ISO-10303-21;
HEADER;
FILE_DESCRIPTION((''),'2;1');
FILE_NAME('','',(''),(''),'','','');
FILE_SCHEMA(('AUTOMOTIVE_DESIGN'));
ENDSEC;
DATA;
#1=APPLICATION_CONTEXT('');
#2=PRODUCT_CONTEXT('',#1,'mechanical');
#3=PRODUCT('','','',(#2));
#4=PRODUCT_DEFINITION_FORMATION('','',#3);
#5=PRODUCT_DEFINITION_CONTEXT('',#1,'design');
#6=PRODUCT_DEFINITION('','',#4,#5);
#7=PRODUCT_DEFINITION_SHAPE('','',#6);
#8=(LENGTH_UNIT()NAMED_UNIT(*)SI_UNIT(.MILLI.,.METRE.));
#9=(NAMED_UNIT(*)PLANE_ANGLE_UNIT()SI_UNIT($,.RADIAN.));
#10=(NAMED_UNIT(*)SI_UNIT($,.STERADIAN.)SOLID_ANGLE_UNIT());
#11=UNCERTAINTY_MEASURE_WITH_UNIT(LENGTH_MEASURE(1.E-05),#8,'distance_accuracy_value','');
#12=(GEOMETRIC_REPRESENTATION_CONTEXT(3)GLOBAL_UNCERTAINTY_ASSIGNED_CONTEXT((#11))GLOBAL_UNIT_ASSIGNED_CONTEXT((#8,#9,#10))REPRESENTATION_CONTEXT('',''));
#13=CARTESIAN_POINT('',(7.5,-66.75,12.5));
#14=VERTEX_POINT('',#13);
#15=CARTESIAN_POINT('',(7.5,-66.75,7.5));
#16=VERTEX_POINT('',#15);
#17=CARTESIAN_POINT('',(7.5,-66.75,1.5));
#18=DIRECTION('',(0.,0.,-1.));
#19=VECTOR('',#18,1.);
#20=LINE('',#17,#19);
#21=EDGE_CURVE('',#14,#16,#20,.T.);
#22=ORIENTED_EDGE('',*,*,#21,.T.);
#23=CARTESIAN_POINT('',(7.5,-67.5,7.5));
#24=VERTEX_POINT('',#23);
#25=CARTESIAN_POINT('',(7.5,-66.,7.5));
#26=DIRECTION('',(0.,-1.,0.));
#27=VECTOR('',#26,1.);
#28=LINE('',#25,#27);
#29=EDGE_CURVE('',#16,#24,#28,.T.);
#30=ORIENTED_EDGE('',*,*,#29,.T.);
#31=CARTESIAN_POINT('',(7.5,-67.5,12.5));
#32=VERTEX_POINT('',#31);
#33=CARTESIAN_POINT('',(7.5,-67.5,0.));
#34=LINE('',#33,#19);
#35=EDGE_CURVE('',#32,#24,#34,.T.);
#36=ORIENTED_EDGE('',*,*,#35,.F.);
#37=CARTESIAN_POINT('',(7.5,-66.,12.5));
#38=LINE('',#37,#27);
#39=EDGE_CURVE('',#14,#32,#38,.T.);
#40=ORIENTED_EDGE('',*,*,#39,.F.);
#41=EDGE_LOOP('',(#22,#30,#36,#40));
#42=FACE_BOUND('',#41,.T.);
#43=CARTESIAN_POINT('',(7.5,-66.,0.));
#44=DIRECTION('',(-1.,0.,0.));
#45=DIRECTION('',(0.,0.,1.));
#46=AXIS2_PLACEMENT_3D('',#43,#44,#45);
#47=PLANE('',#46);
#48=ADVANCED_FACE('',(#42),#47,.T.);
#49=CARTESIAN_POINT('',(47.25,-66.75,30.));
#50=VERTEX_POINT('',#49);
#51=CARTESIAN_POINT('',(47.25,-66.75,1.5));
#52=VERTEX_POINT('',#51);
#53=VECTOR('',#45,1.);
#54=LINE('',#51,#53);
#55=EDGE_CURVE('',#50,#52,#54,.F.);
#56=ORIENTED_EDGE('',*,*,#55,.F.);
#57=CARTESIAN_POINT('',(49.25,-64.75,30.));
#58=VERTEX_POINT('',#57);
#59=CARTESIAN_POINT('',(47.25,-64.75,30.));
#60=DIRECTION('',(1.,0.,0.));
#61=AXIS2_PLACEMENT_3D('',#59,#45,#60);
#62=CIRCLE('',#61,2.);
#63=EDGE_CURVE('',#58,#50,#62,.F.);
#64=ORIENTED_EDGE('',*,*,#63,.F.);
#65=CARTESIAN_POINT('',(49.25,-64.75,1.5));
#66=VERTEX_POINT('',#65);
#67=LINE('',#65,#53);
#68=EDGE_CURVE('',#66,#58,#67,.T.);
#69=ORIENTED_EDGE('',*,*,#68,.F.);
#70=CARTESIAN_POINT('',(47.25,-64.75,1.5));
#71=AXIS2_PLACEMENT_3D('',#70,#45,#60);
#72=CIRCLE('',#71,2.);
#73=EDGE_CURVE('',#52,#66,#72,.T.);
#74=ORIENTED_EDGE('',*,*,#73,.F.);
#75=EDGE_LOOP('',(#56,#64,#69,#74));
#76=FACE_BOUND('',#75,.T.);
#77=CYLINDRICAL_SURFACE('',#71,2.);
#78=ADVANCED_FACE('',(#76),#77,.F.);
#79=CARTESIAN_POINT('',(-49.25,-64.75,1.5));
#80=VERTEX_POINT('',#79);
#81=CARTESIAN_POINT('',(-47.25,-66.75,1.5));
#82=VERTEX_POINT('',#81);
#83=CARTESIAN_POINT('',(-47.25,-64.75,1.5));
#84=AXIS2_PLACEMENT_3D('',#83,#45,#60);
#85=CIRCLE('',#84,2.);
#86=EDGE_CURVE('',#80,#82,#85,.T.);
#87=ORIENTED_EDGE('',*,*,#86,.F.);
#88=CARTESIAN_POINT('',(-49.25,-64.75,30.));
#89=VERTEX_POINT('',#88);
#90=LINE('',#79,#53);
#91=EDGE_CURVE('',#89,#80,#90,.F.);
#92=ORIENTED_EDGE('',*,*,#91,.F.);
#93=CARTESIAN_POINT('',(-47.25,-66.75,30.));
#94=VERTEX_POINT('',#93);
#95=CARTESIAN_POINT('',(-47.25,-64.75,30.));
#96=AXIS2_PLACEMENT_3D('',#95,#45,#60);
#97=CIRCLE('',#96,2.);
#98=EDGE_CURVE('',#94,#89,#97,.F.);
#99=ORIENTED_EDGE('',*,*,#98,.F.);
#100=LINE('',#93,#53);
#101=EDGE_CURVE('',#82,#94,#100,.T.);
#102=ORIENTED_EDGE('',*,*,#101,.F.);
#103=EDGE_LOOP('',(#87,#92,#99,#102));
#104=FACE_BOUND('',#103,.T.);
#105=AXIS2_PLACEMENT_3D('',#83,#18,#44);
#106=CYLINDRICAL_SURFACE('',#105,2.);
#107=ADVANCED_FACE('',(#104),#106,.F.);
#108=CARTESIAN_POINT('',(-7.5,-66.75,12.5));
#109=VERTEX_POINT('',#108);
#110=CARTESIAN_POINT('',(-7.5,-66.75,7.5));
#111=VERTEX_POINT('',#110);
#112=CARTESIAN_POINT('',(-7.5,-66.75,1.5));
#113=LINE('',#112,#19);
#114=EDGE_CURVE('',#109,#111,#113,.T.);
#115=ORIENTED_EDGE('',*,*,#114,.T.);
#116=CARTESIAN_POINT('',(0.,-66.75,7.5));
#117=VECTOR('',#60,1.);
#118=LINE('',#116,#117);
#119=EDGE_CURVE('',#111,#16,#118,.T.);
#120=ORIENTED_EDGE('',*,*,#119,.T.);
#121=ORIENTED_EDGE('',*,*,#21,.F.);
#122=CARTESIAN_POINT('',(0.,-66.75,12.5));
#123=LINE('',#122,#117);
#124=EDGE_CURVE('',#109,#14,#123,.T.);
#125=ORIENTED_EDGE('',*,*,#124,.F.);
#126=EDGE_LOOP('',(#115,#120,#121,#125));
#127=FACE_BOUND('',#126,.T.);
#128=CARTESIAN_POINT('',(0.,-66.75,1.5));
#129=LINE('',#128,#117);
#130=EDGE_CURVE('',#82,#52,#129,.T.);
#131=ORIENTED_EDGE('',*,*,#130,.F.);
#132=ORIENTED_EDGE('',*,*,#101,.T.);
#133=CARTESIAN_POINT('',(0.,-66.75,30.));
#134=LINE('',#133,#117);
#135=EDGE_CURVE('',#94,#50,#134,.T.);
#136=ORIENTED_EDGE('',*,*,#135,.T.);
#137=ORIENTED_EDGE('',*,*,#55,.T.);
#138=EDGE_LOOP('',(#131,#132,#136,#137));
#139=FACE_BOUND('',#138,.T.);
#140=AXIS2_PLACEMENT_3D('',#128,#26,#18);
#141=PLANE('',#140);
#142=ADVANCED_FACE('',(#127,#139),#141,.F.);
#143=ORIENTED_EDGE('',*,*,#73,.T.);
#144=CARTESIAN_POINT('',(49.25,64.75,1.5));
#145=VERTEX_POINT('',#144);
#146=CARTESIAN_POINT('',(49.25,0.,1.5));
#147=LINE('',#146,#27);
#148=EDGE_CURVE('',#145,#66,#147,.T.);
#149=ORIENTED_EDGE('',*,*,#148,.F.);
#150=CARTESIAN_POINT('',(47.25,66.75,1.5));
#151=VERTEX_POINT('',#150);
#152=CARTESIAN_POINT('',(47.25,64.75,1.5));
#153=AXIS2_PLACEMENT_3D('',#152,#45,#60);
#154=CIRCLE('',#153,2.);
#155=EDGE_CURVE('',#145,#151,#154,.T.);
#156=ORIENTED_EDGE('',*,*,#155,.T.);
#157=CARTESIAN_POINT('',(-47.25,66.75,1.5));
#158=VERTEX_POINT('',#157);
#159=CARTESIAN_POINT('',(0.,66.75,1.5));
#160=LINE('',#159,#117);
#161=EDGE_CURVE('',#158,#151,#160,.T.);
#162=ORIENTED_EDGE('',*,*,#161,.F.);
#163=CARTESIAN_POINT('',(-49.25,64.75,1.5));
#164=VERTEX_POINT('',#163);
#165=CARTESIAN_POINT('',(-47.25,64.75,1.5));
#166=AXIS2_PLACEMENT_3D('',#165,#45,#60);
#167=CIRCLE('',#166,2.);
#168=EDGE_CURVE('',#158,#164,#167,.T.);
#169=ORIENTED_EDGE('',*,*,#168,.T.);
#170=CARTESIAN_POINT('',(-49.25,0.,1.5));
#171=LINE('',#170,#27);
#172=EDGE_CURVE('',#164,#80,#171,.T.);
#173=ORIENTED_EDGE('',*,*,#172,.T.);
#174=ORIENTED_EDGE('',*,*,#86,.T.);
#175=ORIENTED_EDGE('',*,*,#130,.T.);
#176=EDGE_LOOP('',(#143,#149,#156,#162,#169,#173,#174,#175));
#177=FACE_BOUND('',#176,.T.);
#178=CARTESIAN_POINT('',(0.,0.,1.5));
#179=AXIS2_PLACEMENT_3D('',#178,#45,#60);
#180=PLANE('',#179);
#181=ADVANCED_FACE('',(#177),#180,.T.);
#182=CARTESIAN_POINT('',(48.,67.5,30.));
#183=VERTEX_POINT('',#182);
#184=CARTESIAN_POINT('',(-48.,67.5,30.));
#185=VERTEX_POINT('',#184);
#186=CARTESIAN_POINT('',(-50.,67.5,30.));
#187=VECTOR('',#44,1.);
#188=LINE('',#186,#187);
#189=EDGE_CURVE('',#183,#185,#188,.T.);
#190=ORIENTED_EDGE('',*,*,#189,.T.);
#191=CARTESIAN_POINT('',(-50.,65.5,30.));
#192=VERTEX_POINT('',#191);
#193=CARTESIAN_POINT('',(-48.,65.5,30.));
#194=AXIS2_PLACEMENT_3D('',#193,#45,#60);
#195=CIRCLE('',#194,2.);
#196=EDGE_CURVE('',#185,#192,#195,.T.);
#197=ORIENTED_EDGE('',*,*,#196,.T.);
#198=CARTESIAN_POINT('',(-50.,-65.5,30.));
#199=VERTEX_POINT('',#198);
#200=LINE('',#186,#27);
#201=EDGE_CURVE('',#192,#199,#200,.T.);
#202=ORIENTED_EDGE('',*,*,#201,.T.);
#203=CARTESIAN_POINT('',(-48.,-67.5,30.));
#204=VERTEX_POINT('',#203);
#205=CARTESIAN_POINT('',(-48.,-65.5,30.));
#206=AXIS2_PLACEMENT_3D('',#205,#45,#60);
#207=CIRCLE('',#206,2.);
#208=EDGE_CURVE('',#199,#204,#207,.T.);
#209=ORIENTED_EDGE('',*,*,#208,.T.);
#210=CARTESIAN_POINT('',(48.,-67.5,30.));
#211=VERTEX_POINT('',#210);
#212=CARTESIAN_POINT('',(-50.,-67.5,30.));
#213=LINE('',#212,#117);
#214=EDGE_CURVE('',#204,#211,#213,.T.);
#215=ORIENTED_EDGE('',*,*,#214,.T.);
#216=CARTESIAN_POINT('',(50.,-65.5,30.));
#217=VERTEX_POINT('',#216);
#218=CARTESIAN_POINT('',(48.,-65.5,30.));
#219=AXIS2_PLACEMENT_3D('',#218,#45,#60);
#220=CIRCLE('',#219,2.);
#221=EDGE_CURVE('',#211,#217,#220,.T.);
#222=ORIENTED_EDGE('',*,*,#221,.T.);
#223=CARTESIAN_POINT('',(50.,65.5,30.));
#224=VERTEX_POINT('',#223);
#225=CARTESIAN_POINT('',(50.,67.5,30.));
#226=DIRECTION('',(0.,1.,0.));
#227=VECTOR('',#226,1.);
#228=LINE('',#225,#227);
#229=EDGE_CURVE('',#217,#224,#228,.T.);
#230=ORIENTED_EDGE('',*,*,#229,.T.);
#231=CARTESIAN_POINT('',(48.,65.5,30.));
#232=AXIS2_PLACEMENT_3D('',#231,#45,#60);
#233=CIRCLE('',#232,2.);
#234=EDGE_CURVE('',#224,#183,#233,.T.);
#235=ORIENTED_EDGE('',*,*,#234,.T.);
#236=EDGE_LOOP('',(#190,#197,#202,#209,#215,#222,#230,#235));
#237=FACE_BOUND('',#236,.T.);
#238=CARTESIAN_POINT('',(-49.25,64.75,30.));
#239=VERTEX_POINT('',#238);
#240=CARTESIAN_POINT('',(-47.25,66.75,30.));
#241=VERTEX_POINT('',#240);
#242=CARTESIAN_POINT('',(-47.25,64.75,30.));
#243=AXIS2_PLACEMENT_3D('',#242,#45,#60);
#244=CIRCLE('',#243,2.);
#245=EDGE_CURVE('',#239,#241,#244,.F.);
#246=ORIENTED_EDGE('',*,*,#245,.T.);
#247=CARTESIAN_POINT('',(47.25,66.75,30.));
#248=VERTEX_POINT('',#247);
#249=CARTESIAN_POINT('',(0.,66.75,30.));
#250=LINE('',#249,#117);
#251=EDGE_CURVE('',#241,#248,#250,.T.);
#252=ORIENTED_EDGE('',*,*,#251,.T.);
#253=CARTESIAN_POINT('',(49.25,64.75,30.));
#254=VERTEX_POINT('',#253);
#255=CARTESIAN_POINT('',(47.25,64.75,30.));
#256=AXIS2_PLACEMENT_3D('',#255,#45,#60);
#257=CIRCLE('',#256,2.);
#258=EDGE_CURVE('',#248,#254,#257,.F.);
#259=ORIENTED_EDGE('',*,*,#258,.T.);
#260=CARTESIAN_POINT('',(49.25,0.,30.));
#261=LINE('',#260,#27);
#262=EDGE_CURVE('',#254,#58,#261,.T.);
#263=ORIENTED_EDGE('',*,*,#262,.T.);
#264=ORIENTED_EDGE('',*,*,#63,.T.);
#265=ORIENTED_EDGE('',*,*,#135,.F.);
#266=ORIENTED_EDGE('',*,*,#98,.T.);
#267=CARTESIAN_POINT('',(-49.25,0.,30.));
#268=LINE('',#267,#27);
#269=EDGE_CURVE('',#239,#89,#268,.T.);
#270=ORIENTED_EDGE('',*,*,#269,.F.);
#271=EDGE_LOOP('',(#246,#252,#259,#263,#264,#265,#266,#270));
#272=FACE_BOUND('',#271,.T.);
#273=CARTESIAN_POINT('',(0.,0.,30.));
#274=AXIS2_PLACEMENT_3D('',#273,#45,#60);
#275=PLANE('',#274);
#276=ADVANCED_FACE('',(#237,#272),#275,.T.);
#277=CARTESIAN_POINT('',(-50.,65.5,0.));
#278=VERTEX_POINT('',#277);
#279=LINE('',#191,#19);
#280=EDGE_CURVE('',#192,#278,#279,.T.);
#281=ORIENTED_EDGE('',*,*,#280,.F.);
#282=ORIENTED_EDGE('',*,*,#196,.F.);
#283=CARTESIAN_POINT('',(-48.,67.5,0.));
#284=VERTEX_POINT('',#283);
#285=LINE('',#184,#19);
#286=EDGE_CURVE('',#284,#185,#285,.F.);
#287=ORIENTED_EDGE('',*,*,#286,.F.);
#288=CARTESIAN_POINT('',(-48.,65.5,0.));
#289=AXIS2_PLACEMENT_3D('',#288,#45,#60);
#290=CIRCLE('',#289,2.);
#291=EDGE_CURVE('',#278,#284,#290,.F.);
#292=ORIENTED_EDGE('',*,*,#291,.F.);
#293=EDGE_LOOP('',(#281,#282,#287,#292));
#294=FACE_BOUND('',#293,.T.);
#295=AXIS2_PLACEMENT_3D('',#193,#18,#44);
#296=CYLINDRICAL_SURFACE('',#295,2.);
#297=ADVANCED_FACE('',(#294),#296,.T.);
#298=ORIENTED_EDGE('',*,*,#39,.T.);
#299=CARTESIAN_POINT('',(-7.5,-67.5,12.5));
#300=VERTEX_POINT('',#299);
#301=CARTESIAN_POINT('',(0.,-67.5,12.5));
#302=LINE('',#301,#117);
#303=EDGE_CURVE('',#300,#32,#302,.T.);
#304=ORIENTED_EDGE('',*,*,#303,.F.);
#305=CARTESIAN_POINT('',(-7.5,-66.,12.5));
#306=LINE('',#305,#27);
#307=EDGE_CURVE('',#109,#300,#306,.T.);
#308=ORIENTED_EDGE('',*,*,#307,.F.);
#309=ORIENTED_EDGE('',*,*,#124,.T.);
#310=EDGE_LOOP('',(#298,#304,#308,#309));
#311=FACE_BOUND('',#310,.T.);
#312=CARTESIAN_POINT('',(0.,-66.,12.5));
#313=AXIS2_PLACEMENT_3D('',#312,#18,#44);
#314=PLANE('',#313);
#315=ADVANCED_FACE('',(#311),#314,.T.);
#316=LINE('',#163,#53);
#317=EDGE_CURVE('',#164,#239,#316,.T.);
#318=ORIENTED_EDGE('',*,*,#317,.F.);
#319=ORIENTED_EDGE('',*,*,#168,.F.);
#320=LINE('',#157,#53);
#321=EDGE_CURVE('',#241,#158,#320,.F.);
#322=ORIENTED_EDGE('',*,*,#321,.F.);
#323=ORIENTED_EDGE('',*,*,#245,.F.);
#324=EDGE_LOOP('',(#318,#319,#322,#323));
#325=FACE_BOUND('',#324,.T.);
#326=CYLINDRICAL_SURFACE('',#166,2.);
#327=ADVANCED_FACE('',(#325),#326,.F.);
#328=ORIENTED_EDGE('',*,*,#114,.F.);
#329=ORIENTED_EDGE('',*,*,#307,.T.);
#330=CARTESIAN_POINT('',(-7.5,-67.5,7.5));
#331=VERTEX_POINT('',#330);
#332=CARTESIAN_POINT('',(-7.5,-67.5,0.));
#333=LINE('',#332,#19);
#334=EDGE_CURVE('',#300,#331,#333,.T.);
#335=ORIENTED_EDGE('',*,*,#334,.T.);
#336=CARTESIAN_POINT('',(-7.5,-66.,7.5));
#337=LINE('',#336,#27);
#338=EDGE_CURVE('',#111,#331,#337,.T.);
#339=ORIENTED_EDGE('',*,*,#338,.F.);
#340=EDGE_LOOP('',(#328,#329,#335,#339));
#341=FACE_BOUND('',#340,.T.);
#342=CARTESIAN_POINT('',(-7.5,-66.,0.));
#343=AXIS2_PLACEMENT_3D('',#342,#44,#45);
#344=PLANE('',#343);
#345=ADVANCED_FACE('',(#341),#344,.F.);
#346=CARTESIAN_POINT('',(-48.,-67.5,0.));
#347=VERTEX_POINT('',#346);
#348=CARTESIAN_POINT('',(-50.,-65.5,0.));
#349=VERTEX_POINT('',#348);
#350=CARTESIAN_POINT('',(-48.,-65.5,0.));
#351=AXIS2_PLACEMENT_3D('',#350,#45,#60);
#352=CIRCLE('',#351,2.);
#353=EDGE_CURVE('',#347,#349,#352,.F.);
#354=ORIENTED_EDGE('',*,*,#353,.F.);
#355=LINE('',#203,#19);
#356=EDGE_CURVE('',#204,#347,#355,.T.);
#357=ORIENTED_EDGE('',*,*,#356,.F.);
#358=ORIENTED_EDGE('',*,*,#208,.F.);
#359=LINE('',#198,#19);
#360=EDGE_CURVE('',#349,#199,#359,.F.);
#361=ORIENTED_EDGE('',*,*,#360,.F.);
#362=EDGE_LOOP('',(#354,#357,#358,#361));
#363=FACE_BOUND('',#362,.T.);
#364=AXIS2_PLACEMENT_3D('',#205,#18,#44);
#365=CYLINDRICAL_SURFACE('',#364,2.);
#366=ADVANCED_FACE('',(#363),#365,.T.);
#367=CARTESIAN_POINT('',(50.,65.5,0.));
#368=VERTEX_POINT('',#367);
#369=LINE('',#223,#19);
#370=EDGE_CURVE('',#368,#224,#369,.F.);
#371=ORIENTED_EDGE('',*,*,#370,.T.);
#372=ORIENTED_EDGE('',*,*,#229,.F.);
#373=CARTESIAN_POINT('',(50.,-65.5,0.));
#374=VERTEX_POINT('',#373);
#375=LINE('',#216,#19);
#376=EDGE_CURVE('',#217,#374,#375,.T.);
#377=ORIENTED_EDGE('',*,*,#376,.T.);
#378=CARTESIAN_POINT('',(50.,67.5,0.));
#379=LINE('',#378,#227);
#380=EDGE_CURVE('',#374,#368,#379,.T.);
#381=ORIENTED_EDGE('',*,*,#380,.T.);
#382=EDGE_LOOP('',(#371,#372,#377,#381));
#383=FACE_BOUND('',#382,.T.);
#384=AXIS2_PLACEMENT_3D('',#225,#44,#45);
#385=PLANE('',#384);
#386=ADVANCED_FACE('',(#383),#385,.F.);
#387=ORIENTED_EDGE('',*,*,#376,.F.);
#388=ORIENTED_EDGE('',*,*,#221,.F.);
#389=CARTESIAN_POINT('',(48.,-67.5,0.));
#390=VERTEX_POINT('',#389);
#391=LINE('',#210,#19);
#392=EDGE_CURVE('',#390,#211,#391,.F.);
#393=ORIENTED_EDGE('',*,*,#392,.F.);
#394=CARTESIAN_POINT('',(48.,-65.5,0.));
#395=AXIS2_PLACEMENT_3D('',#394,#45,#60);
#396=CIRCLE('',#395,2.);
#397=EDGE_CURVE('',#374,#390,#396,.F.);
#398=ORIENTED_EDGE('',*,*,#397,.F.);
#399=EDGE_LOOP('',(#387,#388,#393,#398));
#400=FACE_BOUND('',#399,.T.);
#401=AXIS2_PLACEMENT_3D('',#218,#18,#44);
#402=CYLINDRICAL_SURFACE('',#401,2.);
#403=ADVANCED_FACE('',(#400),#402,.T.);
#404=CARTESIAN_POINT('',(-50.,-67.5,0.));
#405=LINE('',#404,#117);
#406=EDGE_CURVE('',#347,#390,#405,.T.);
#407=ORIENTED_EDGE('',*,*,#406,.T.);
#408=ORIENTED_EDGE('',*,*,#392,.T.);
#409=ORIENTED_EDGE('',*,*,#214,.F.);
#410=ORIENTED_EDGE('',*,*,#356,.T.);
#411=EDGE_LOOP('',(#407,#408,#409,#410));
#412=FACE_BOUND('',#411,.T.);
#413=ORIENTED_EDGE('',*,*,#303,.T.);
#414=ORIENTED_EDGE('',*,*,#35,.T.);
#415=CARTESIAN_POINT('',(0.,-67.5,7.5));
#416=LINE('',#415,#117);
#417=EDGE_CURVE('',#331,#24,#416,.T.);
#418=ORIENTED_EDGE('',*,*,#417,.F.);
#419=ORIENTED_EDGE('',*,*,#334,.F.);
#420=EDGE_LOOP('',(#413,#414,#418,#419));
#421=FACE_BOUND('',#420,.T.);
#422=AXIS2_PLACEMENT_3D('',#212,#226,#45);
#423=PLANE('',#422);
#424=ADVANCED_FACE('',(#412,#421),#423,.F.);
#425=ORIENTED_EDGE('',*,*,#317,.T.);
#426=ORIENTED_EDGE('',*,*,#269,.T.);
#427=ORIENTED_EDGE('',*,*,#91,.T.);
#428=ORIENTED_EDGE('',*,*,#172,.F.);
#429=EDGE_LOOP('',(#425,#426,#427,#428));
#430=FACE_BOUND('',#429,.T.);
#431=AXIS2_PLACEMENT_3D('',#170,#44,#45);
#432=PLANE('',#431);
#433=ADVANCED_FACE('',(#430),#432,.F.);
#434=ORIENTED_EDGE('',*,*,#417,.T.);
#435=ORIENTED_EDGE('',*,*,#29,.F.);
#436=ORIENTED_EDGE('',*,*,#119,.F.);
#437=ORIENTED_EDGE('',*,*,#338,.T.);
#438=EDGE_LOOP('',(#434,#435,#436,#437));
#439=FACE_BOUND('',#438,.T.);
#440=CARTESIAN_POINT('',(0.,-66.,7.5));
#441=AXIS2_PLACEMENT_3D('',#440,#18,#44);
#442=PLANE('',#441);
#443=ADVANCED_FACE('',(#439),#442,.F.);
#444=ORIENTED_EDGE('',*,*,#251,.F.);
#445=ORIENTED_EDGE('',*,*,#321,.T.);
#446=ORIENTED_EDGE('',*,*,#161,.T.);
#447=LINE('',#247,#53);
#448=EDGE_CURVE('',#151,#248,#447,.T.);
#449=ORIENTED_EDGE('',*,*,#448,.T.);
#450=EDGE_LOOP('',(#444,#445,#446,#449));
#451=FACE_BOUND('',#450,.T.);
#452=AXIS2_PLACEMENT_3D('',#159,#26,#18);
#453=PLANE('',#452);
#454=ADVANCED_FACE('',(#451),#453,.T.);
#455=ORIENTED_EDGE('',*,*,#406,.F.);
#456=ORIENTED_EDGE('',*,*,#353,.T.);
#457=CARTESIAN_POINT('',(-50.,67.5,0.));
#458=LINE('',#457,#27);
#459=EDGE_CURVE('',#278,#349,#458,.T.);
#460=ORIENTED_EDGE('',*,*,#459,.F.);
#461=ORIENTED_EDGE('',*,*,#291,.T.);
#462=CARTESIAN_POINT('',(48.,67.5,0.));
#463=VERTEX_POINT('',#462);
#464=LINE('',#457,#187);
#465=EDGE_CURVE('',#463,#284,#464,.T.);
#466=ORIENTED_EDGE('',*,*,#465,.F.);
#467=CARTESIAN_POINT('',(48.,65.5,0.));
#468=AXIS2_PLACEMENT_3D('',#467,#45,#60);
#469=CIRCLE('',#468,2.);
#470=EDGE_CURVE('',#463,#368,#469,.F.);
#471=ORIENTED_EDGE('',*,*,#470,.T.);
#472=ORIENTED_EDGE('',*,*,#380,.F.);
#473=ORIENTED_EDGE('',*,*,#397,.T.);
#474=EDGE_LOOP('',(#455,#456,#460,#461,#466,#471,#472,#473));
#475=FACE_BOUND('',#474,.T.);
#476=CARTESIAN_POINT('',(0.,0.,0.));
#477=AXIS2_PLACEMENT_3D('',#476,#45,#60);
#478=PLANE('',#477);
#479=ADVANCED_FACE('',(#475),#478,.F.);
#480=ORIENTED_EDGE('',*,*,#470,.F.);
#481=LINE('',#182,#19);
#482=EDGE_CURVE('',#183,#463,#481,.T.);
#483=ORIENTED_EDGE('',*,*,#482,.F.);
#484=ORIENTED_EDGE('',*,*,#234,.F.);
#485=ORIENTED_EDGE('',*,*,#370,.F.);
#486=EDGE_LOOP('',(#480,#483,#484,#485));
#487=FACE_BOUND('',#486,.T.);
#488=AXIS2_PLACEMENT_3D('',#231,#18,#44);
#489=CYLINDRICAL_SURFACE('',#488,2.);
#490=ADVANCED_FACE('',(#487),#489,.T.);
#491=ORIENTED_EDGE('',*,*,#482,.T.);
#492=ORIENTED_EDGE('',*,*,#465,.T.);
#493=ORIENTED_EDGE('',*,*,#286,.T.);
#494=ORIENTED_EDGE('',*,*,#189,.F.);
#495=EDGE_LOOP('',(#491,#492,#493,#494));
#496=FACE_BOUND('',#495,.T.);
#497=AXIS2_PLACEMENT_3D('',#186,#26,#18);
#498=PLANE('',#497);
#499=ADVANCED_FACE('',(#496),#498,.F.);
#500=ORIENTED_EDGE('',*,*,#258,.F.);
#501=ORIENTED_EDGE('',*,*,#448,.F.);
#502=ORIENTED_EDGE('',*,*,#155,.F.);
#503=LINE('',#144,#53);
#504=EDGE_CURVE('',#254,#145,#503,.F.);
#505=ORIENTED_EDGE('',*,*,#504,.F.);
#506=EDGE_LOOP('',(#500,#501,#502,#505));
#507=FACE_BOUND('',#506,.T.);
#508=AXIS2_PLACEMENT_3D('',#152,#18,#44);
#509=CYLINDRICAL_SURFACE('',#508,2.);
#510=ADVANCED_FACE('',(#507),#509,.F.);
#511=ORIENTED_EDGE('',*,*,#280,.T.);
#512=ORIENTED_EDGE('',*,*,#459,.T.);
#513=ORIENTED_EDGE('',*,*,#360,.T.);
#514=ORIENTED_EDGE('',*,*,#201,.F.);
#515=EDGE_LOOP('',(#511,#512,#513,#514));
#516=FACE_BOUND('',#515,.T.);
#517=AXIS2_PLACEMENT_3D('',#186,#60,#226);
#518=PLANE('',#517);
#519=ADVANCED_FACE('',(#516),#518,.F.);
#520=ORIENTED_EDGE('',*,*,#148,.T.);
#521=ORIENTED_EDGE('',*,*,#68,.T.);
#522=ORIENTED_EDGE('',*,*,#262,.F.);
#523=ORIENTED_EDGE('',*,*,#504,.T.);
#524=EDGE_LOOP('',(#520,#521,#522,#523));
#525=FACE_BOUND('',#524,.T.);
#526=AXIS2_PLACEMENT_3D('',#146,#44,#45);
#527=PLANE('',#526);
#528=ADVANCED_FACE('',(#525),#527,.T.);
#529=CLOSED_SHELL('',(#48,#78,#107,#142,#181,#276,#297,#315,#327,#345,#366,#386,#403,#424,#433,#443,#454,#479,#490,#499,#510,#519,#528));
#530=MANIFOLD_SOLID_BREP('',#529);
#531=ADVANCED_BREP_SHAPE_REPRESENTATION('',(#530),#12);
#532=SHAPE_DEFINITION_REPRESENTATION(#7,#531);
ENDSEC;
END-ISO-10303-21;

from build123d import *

# Parameters (mm, degrees)
SKETCH1_W           = 100
SKETCH1_H           = 135
BOSS_EXTRUDE1_DEPTH = 30
SKETCH2_W           = 98.5
SKETCH2_H           = 133.5
CUT_EXTRUDE1_DEPTH  = 28.5
FILLET21_R          = 2
FILLET22_R          = 2
CUT_EXTRUDE2_DEPTH  = 1.5


with BuildPart() as part:
    # Sketch1 → Boss-Extrude1 (new body)
    with BuildSketch(Plane.XY):
        Rectangle(SKETCH1_W, SKETCH1_H)
    extrude(amount=BOSS_EXTRUDE1_DEPTH)

    # Sketch2 → Cut-Extrude1 (cut)
    with BuildSketch(Plane.XY.offset(30)):
        Rectangle(SKETCH2_W, SKETCH2_H)
    extrude(amount=-CUT_EXTRUDE1_DEPTH, mode=Mode.SUBTRACT)

    # Fillet21
    fillet21_edges = [part.edges().sort_by_distance(p)[0] for p in [
        (50, -67.5, 15),
        (-50, -67.5, 15),
        (-50, 67.5, 15),
        (50, 67.5, 15),
    ]]
    fillet(fillet21_edges, radius=FILLET21_R)

    # Fillet22
    fillet22_edges = [part.edges().sort_by_distance(p)[0] for p in [
        (49.25, 66.75, 15.75),
        (49.25, -66.75, 15.75),
        (-49.25, -66.75, 15.75),
        (-49.25, 66.75, 15.75),
    ]]
    fillet(fillet22_edges, radius=FILLET22_R)

    # Sketch4 → Cut-Extrude2 (cut)
    with BuildSketch(Plane.XZ.offset(67.5)):
        Polygon((0, 10), (0, 7.5), (7.5, 7.5), (7.5, 12.5), (0, 12.5), align=None)
        Polygon((-7.5, 7.5), (0, 7.5), (0, 10), (0, 12.5), (-7.5, 12.5), align=None)
    extrude(amount=-CUT_EXTRUDE2_DEPTH, mode=Mode.SUBTRACT)


solid = part.part
